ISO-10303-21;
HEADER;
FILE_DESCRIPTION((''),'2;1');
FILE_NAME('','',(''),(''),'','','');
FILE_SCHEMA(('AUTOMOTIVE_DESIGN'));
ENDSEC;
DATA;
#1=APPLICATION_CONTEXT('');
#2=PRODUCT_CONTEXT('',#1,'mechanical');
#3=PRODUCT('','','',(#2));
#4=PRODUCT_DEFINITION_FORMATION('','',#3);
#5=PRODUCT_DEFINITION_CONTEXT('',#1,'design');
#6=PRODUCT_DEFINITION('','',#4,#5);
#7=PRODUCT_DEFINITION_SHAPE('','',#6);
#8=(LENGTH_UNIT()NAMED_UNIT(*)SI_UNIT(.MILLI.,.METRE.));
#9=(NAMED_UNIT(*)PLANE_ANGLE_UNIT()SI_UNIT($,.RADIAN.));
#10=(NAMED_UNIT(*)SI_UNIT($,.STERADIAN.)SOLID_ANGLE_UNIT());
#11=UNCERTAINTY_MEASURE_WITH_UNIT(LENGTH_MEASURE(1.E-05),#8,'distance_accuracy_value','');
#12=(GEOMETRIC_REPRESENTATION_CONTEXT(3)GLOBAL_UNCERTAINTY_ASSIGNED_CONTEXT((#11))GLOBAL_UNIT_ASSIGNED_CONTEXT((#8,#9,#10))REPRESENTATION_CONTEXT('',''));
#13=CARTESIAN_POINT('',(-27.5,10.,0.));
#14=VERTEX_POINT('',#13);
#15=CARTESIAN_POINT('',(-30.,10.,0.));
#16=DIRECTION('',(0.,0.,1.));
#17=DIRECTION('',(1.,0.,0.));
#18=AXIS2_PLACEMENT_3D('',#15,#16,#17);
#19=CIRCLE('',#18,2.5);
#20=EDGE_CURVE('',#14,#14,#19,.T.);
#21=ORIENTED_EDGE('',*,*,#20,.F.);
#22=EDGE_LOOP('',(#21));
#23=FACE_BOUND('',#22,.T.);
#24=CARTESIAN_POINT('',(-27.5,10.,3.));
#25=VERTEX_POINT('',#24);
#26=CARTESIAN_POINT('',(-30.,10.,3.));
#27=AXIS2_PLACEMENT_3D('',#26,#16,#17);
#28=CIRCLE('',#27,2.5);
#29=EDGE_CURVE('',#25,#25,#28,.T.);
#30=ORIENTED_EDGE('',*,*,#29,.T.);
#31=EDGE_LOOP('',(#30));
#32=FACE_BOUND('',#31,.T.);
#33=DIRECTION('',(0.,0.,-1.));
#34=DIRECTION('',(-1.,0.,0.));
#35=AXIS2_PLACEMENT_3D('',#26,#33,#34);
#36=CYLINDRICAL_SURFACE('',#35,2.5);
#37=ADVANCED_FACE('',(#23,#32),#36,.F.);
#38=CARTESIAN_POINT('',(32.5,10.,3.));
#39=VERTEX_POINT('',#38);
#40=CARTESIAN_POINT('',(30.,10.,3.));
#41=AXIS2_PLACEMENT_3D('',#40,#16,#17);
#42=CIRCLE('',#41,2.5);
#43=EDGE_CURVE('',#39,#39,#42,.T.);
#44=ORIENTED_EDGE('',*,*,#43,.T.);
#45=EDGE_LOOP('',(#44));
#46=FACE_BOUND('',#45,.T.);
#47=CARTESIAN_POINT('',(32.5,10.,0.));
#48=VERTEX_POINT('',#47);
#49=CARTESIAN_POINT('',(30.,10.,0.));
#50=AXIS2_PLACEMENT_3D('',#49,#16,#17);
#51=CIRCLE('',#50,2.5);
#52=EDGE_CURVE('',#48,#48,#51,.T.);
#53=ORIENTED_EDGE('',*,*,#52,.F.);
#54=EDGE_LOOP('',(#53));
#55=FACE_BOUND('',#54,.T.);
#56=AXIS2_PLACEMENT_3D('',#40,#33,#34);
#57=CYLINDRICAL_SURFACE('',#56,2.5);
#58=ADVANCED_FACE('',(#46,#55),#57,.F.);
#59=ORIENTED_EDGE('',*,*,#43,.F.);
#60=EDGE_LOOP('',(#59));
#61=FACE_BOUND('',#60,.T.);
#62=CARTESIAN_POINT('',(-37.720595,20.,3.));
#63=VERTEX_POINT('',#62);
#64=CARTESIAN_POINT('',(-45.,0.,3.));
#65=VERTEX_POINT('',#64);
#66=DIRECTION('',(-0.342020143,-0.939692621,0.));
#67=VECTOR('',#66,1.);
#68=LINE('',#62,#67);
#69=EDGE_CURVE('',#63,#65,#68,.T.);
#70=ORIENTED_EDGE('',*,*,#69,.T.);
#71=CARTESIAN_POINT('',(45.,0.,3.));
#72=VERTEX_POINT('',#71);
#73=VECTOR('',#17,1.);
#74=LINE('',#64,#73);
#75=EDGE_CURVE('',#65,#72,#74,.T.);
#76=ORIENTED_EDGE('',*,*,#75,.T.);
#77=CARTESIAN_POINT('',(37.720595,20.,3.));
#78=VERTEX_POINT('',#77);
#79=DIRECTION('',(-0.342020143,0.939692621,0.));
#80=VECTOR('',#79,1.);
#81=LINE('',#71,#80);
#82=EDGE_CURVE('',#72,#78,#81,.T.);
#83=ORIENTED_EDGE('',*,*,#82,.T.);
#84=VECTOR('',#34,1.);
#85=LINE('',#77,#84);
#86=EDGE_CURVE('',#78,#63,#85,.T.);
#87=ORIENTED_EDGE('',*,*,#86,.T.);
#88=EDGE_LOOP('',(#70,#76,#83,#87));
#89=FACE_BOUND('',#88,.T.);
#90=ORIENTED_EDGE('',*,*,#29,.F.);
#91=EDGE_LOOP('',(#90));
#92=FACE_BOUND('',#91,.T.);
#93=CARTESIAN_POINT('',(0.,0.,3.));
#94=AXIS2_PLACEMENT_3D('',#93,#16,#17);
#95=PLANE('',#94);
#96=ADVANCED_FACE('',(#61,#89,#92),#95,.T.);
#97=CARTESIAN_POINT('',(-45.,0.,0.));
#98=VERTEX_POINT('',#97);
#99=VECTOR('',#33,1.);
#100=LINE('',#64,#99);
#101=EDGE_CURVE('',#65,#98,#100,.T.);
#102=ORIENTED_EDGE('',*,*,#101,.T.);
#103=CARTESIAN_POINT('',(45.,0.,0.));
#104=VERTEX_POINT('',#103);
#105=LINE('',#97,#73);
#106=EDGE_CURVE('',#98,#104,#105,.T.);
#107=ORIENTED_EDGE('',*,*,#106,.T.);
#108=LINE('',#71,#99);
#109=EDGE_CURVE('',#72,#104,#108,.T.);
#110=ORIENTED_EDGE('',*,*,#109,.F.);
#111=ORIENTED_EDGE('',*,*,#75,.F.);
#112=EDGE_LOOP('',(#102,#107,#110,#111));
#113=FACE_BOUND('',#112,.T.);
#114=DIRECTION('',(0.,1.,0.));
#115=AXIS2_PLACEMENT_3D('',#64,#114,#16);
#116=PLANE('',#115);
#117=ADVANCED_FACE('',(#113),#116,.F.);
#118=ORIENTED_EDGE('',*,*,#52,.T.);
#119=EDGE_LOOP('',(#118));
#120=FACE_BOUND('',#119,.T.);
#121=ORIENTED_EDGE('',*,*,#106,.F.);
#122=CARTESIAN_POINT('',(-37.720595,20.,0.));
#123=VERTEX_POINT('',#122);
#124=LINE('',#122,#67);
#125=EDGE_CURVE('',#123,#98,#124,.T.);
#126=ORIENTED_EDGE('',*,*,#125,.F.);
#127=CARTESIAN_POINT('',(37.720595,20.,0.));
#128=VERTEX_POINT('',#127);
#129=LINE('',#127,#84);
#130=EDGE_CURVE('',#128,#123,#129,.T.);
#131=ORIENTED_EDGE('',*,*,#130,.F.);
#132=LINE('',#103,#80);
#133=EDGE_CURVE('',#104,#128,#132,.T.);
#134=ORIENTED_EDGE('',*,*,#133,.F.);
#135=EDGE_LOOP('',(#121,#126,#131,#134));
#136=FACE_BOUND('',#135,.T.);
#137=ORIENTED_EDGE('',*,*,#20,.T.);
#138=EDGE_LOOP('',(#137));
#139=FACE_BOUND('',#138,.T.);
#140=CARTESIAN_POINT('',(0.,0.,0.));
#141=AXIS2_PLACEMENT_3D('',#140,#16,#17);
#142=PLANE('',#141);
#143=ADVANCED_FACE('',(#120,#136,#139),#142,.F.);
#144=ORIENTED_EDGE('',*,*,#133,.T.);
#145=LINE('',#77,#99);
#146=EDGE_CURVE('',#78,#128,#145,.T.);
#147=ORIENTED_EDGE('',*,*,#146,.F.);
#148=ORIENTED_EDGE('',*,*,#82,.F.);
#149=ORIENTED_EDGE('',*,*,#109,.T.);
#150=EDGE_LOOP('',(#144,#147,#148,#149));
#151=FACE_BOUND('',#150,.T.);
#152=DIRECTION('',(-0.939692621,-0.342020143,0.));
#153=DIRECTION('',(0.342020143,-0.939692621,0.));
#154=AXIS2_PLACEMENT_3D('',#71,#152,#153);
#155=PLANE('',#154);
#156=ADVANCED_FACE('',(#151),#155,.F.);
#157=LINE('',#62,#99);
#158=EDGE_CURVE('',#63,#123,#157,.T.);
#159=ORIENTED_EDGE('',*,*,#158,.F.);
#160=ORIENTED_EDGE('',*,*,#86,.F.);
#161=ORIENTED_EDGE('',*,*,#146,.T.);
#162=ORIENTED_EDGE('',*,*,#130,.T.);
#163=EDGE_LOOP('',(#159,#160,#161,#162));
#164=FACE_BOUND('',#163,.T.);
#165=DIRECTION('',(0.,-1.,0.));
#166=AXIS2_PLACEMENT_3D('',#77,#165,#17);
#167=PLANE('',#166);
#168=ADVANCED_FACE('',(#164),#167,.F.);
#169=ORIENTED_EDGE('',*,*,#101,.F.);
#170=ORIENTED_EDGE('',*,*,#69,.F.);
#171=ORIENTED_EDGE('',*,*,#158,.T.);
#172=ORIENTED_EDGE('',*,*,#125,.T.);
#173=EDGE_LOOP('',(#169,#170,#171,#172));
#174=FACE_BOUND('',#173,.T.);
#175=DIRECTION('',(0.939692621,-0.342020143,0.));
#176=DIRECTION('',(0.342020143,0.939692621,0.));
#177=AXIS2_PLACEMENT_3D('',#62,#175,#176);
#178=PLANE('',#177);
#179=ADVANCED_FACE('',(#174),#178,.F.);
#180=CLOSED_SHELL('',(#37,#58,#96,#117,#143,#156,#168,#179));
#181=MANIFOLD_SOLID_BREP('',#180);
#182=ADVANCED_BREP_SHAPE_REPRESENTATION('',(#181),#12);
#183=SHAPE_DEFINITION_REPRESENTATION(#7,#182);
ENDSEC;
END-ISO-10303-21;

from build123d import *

# Parameters (mm, degrees)
CROQUIS1_R              = 2.5
SALIENTE_EXTRUIR1_DEPTH = 3


with BuildPart() as part:
    # Croquis1 → Saliente-Extruir1 (new body)
    with BuildSketch(Plane.XY):
        Polygon((-45, 0), (45, 0), (37.720595315, 20), (-37.720595315, 20), align=None)
        with Locations((-30, 10)):
            Circle(CROQUIS1_R, mode=Mode.SUBTRACT)
        with Locations((30, 10)):
            Circle(CROQUIS1_R, mode=Mode.SUBTRACT)
    extrude(amount=SALIENTE_EXTRUIR1_DEPTH)


solid = part.part
